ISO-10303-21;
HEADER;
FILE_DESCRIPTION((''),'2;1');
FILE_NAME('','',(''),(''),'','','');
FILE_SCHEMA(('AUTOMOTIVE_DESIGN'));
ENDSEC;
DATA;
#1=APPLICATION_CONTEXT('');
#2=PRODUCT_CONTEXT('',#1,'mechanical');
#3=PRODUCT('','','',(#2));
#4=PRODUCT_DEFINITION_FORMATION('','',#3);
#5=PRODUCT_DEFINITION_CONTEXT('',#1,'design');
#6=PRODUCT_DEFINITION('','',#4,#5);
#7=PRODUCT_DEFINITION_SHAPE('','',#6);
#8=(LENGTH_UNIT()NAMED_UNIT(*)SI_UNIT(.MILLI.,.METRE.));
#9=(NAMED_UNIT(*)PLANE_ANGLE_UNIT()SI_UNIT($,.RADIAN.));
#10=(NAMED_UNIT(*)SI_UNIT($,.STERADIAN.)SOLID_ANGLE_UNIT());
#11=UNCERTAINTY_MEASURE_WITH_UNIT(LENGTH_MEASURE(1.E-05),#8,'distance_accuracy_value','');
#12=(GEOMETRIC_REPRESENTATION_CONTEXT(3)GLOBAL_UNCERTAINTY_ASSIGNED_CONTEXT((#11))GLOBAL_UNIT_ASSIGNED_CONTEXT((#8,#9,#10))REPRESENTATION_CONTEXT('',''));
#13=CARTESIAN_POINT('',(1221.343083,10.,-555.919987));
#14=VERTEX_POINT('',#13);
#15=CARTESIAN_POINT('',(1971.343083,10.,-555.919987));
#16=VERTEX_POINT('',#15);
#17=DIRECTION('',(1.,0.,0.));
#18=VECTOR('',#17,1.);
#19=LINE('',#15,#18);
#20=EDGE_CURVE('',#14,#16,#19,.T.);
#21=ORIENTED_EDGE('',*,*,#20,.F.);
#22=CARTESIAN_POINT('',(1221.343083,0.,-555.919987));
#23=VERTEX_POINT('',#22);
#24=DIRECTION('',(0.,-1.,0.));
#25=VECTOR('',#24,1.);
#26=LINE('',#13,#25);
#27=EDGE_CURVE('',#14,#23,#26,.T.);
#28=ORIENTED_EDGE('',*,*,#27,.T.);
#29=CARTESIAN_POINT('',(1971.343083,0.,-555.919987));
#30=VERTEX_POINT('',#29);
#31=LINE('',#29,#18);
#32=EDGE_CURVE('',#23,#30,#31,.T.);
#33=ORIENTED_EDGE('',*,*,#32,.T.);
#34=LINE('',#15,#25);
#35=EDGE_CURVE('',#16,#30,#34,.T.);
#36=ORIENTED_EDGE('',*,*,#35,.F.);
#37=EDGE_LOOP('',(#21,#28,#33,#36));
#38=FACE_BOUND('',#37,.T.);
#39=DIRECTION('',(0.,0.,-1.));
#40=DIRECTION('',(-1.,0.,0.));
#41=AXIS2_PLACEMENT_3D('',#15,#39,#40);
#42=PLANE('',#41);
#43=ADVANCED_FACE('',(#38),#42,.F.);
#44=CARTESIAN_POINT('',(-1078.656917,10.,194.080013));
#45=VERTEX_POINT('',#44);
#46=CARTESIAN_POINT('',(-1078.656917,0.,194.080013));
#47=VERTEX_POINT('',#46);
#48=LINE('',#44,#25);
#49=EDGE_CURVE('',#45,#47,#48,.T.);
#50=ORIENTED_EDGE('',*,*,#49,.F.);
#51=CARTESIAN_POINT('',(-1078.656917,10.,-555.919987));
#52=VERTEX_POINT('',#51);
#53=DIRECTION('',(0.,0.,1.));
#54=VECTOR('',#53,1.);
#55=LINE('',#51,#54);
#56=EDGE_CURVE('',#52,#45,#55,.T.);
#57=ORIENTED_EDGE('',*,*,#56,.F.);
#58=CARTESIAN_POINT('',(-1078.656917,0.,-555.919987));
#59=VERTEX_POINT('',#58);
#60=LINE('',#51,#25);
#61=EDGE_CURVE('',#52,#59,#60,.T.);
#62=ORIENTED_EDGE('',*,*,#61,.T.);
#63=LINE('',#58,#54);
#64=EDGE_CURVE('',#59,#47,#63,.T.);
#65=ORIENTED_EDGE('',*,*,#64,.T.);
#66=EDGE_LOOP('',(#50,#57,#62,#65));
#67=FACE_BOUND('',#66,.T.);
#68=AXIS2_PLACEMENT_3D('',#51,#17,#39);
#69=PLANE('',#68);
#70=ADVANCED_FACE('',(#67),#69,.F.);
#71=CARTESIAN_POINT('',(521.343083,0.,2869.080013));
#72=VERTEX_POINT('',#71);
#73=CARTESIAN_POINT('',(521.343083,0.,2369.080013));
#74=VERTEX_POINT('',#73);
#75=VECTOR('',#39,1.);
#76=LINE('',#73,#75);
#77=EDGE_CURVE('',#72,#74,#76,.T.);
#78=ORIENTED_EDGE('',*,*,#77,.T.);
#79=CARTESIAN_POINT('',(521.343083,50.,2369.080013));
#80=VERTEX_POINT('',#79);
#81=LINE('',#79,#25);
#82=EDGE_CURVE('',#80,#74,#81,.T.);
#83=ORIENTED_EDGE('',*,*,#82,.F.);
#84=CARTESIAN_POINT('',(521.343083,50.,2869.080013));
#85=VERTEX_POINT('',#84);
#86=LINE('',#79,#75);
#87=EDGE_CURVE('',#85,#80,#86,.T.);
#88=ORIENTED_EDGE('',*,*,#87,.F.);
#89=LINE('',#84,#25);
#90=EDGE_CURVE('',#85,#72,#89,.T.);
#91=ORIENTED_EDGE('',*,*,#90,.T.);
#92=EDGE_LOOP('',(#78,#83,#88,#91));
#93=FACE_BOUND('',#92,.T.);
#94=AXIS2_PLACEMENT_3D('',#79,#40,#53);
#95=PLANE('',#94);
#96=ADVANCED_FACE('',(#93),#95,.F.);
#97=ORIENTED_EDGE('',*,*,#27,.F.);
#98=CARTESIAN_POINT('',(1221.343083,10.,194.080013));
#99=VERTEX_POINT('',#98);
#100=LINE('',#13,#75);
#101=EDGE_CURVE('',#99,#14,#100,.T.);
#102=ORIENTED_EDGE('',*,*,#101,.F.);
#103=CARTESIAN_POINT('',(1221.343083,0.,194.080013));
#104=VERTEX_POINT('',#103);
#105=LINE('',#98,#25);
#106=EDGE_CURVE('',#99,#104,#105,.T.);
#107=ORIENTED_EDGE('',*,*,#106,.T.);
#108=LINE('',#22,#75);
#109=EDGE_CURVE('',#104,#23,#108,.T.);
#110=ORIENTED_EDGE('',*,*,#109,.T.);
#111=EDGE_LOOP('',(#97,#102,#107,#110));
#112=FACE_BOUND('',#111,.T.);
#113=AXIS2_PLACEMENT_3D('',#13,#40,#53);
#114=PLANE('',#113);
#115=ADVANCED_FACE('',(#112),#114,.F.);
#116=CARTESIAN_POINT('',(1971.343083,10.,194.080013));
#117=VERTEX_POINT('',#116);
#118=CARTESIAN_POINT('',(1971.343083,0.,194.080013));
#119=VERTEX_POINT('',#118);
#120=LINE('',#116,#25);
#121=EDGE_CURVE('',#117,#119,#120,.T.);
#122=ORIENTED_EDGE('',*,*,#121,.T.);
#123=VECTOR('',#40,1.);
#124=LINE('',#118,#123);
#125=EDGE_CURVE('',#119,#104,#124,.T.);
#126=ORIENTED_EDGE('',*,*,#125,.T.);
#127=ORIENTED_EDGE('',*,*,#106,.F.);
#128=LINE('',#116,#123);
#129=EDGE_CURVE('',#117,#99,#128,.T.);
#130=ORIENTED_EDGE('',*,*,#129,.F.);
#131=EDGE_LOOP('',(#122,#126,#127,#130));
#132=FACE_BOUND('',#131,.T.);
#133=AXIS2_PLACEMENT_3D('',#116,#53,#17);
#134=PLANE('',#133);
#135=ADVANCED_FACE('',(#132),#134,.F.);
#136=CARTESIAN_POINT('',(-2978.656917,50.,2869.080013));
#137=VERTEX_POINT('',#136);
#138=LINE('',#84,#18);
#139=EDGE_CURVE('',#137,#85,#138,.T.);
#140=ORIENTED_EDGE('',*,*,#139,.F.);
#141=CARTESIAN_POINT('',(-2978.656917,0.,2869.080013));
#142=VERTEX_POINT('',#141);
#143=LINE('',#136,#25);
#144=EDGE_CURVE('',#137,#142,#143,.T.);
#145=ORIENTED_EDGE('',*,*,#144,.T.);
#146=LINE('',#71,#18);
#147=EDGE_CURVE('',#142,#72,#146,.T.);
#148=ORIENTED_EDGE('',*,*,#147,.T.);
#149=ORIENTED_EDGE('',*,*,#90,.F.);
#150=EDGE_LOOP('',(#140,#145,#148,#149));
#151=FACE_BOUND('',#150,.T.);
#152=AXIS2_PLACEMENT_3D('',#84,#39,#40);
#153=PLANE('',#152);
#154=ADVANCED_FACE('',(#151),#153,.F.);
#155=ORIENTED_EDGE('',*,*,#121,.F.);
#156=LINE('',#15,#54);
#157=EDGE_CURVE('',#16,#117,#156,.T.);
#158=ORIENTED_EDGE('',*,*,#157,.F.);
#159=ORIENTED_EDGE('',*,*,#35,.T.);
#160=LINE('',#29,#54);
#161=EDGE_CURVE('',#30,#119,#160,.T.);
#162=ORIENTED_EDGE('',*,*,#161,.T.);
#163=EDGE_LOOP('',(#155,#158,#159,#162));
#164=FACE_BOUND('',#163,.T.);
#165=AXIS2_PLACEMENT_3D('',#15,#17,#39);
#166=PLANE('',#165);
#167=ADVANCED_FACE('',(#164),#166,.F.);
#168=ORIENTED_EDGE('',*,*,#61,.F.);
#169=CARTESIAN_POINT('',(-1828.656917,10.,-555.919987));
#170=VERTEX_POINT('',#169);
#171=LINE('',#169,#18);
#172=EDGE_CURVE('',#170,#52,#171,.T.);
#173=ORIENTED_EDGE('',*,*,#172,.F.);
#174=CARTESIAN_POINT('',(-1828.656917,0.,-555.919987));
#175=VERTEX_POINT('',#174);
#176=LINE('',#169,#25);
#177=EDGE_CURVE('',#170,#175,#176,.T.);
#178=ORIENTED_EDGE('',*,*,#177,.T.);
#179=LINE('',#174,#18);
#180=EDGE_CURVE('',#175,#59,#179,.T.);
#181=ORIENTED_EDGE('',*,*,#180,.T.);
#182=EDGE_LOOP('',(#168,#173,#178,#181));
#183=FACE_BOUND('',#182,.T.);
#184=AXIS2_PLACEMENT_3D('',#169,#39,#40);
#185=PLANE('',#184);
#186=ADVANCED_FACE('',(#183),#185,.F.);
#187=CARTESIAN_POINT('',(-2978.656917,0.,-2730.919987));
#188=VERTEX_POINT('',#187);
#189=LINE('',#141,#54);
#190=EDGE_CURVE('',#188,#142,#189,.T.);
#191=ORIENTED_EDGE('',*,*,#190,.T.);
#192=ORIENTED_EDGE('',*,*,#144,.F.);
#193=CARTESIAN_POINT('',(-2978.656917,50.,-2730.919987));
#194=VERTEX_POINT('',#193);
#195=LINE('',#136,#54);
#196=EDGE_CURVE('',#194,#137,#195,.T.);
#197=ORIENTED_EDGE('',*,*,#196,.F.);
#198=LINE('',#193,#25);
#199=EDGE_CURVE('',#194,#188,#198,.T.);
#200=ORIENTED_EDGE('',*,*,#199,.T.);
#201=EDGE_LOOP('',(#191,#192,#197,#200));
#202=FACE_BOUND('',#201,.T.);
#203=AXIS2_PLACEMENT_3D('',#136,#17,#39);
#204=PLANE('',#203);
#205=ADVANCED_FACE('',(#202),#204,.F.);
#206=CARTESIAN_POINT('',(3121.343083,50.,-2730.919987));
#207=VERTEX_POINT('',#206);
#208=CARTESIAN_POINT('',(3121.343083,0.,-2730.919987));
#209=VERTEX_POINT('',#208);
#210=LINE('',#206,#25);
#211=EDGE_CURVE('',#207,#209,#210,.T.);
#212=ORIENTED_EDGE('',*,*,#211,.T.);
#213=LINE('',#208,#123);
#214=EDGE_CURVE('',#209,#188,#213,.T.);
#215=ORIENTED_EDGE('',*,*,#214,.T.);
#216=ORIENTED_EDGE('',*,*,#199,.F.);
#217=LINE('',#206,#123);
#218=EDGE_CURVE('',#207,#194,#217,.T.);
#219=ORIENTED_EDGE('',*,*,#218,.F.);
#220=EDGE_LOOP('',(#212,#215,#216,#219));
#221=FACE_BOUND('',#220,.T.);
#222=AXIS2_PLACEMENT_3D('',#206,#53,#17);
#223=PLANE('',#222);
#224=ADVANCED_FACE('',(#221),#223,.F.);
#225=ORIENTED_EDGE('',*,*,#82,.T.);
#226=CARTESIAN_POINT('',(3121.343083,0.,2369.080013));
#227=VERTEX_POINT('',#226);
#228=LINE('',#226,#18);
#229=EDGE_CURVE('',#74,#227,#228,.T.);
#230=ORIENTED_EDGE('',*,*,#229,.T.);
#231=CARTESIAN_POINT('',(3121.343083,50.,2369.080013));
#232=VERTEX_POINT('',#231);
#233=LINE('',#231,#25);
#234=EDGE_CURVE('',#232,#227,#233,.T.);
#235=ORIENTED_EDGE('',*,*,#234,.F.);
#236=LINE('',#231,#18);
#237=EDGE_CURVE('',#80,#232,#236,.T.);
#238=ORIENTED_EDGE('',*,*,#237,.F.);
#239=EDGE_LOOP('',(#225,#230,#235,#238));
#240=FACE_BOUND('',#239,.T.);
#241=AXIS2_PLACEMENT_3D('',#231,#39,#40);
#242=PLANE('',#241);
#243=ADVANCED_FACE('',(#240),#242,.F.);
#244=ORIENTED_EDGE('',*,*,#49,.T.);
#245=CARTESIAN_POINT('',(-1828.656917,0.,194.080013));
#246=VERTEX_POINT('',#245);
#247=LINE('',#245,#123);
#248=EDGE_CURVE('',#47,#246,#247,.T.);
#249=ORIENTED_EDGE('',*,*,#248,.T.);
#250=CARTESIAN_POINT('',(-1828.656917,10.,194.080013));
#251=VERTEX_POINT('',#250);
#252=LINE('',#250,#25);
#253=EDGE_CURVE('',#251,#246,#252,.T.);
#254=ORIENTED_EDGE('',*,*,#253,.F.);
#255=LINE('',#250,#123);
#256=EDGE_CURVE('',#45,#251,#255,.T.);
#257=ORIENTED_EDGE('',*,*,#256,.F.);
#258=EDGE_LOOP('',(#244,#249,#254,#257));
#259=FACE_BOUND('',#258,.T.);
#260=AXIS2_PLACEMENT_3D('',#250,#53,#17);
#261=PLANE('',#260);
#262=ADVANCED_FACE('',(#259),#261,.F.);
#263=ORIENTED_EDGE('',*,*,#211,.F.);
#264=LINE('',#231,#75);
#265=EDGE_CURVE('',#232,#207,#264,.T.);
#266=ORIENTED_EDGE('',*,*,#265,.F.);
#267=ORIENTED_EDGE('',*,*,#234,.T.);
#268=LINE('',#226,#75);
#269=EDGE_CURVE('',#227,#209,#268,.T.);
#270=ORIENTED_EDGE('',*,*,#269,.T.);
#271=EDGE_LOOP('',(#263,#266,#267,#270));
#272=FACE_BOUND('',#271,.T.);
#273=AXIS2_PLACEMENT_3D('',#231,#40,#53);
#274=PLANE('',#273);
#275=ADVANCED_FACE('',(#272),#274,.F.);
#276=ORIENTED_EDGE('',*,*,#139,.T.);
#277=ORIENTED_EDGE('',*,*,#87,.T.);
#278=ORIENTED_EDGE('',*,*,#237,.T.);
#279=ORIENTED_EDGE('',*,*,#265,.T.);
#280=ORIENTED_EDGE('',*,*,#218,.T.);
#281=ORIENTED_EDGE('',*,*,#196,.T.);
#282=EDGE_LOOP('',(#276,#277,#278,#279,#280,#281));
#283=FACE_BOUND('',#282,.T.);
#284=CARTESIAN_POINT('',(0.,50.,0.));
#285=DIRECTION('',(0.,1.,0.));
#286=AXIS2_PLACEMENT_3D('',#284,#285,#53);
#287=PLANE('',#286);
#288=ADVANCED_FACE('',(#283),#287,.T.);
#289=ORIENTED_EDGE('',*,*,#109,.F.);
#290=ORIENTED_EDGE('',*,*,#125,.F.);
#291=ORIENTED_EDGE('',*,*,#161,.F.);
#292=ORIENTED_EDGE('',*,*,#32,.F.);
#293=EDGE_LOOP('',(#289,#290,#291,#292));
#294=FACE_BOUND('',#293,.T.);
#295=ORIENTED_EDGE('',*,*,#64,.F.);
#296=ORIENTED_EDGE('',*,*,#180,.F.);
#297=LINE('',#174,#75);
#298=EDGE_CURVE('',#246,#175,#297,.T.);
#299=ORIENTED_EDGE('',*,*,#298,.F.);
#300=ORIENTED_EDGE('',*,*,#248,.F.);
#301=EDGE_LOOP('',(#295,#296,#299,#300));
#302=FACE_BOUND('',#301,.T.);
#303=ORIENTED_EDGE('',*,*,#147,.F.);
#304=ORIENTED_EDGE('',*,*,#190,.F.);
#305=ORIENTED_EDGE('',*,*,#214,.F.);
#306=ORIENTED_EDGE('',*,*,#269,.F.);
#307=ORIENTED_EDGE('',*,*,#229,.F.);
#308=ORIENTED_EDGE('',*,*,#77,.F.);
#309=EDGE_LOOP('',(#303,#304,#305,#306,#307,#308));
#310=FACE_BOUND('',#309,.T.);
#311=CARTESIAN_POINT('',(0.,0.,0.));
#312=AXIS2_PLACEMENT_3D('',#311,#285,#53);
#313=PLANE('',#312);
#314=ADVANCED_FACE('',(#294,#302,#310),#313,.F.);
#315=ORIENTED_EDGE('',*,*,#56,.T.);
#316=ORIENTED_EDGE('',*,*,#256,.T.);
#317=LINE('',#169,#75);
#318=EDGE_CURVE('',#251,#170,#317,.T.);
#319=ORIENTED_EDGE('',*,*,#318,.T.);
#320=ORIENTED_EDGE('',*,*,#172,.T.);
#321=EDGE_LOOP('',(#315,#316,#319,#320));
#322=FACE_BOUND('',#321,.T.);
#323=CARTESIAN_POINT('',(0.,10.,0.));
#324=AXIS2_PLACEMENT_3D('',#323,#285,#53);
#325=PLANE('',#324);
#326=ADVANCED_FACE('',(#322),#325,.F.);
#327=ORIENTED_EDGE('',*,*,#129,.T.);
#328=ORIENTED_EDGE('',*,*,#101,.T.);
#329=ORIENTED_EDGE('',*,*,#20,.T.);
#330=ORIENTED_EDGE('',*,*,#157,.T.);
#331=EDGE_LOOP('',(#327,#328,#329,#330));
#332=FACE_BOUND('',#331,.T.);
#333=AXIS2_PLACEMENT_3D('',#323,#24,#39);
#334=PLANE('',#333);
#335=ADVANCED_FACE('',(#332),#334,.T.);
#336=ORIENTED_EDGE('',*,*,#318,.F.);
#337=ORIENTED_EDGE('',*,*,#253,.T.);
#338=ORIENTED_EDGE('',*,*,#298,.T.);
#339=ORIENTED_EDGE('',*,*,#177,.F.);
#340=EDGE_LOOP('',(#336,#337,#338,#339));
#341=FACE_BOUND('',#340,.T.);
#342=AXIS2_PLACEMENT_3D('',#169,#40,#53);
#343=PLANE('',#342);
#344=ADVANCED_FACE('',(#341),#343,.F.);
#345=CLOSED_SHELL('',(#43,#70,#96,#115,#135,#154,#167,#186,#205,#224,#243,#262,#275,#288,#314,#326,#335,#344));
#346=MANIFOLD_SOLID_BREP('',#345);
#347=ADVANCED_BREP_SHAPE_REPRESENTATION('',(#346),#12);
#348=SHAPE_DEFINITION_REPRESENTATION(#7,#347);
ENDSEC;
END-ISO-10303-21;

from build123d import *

# Parameters (mm, degrees)
BOSS_EXTRUDE1_DEPTH = 50
SKETCH2_W           = 750
SKETCH2_H           = 750
CUT_EXTRUDE1_DEPTH  = 10


with BuildPart() as part:
    # Sketch1 → Boss-Extrude1 (new body)
    with BuildSketch(Plane(origin=(0, 0, 0), x_dir=(1, 0, 0), z_dir=(0, 1, 0))):
        Polygon((521.343083485, -2869.080012749), (-2978.656916515, -2869.080012749), (-2978.656916515, 2730.919987251), (3121.343083485, 2730.919987251), (3121.343083485, -2369.080012749), (521.343083485, -2369.080012749), align=None)
    extrude(amount=BOSS_EXTRUDE1_DEPTH)

    # Sketch2 → Cut-Extrude1 (cut)
    with BuildSketch(Plane.XZ):
        with Locations((-1453.656916515, -180.919987251)):
            Rectangle(SKETCH2_W, SKETCH2_H)
        with Locations((1596.343083485, -180.919987251)):
            Rectangle(SKETCH2_W, SKETCH2_H)
    extrude(amount=-CUT_EXTRUDE1_DEPTH, mode=Mode.SUBTRACT)


solid = part.part
